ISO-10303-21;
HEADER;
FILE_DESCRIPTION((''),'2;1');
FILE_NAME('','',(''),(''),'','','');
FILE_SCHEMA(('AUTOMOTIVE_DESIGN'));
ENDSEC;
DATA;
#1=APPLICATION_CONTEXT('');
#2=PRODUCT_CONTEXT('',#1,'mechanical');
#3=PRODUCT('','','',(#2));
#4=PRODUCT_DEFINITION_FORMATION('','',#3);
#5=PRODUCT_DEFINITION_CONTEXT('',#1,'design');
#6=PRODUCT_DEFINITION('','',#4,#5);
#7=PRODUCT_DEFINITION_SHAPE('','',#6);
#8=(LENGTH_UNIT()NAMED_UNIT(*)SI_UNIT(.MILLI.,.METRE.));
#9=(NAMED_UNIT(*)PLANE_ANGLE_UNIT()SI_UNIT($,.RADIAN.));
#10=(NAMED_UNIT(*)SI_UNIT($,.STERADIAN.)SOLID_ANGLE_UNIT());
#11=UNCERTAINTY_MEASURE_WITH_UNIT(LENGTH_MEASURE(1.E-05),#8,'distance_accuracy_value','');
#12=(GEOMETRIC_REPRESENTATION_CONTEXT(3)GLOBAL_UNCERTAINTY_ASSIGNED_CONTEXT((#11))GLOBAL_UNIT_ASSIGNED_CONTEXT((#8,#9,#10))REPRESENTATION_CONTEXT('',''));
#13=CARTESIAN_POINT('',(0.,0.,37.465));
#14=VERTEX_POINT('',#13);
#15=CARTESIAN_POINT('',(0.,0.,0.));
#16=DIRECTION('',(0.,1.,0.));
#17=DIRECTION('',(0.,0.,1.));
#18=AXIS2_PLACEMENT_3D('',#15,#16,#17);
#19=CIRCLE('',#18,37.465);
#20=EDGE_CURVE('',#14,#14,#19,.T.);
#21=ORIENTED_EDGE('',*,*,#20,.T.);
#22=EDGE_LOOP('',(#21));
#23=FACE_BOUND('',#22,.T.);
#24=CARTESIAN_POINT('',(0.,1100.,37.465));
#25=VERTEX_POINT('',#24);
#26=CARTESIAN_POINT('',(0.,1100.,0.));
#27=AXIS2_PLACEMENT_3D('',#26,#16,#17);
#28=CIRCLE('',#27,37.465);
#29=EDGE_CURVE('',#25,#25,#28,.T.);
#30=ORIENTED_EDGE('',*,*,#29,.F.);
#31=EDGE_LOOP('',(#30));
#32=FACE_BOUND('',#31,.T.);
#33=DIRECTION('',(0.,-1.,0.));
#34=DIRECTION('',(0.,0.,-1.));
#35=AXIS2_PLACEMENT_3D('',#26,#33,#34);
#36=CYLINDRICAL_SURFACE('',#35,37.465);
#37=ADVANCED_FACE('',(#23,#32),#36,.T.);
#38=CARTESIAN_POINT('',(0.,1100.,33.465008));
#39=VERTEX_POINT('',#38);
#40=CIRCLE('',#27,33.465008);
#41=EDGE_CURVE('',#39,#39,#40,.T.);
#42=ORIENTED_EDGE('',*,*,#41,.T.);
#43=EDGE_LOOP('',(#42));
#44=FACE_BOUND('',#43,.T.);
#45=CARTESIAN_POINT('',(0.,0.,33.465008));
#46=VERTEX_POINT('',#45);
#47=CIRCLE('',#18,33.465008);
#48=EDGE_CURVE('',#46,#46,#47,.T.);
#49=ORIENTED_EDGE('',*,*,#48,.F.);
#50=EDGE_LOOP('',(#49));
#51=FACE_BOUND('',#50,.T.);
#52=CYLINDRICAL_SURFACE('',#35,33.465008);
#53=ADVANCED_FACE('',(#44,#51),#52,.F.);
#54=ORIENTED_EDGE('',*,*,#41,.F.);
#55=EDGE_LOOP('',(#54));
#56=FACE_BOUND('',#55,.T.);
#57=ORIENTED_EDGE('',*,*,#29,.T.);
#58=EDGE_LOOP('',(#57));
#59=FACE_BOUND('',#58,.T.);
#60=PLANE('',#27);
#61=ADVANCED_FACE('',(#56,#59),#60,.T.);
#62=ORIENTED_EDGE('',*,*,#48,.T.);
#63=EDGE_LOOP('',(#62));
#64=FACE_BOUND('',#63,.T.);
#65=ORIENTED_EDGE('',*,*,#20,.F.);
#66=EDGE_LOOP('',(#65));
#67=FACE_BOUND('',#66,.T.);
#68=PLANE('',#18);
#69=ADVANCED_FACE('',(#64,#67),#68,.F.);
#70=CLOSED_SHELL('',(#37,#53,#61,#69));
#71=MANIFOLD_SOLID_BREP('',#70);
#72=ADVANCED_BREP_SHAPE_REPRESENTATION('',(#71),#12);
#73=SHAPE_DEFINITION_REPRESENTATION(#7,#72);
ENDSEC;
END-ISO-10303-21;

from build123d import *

# Parameters (mm, degrees)
SKETCH1_R           = 37.465
SKETCH1_R_2         = 33.465008
BOSS_EXTRUDE1_DEPTH = 1099.999999894


with BuildPart() as part:
    # Sketch1 → Boss-Extrude1 (new body)
    with BuildSketch(Plane(origin=(0, 0, 0), x_dir=(1, 0, 0), z_dir=(0, 1, 0))):
        with Locations(Location((0, 0, 0), (0, 0, 270))):
            Circle(SKETCH1_R)
        with Locations(Location((0, 0, 0), (0, 0, 270))):
            Circle(SKETCH1_R_2, mode=Mode.SUBTRACT)
    extrude(amount=BOSS_EXTRUDE1_DEPTH)


solid = part.part
